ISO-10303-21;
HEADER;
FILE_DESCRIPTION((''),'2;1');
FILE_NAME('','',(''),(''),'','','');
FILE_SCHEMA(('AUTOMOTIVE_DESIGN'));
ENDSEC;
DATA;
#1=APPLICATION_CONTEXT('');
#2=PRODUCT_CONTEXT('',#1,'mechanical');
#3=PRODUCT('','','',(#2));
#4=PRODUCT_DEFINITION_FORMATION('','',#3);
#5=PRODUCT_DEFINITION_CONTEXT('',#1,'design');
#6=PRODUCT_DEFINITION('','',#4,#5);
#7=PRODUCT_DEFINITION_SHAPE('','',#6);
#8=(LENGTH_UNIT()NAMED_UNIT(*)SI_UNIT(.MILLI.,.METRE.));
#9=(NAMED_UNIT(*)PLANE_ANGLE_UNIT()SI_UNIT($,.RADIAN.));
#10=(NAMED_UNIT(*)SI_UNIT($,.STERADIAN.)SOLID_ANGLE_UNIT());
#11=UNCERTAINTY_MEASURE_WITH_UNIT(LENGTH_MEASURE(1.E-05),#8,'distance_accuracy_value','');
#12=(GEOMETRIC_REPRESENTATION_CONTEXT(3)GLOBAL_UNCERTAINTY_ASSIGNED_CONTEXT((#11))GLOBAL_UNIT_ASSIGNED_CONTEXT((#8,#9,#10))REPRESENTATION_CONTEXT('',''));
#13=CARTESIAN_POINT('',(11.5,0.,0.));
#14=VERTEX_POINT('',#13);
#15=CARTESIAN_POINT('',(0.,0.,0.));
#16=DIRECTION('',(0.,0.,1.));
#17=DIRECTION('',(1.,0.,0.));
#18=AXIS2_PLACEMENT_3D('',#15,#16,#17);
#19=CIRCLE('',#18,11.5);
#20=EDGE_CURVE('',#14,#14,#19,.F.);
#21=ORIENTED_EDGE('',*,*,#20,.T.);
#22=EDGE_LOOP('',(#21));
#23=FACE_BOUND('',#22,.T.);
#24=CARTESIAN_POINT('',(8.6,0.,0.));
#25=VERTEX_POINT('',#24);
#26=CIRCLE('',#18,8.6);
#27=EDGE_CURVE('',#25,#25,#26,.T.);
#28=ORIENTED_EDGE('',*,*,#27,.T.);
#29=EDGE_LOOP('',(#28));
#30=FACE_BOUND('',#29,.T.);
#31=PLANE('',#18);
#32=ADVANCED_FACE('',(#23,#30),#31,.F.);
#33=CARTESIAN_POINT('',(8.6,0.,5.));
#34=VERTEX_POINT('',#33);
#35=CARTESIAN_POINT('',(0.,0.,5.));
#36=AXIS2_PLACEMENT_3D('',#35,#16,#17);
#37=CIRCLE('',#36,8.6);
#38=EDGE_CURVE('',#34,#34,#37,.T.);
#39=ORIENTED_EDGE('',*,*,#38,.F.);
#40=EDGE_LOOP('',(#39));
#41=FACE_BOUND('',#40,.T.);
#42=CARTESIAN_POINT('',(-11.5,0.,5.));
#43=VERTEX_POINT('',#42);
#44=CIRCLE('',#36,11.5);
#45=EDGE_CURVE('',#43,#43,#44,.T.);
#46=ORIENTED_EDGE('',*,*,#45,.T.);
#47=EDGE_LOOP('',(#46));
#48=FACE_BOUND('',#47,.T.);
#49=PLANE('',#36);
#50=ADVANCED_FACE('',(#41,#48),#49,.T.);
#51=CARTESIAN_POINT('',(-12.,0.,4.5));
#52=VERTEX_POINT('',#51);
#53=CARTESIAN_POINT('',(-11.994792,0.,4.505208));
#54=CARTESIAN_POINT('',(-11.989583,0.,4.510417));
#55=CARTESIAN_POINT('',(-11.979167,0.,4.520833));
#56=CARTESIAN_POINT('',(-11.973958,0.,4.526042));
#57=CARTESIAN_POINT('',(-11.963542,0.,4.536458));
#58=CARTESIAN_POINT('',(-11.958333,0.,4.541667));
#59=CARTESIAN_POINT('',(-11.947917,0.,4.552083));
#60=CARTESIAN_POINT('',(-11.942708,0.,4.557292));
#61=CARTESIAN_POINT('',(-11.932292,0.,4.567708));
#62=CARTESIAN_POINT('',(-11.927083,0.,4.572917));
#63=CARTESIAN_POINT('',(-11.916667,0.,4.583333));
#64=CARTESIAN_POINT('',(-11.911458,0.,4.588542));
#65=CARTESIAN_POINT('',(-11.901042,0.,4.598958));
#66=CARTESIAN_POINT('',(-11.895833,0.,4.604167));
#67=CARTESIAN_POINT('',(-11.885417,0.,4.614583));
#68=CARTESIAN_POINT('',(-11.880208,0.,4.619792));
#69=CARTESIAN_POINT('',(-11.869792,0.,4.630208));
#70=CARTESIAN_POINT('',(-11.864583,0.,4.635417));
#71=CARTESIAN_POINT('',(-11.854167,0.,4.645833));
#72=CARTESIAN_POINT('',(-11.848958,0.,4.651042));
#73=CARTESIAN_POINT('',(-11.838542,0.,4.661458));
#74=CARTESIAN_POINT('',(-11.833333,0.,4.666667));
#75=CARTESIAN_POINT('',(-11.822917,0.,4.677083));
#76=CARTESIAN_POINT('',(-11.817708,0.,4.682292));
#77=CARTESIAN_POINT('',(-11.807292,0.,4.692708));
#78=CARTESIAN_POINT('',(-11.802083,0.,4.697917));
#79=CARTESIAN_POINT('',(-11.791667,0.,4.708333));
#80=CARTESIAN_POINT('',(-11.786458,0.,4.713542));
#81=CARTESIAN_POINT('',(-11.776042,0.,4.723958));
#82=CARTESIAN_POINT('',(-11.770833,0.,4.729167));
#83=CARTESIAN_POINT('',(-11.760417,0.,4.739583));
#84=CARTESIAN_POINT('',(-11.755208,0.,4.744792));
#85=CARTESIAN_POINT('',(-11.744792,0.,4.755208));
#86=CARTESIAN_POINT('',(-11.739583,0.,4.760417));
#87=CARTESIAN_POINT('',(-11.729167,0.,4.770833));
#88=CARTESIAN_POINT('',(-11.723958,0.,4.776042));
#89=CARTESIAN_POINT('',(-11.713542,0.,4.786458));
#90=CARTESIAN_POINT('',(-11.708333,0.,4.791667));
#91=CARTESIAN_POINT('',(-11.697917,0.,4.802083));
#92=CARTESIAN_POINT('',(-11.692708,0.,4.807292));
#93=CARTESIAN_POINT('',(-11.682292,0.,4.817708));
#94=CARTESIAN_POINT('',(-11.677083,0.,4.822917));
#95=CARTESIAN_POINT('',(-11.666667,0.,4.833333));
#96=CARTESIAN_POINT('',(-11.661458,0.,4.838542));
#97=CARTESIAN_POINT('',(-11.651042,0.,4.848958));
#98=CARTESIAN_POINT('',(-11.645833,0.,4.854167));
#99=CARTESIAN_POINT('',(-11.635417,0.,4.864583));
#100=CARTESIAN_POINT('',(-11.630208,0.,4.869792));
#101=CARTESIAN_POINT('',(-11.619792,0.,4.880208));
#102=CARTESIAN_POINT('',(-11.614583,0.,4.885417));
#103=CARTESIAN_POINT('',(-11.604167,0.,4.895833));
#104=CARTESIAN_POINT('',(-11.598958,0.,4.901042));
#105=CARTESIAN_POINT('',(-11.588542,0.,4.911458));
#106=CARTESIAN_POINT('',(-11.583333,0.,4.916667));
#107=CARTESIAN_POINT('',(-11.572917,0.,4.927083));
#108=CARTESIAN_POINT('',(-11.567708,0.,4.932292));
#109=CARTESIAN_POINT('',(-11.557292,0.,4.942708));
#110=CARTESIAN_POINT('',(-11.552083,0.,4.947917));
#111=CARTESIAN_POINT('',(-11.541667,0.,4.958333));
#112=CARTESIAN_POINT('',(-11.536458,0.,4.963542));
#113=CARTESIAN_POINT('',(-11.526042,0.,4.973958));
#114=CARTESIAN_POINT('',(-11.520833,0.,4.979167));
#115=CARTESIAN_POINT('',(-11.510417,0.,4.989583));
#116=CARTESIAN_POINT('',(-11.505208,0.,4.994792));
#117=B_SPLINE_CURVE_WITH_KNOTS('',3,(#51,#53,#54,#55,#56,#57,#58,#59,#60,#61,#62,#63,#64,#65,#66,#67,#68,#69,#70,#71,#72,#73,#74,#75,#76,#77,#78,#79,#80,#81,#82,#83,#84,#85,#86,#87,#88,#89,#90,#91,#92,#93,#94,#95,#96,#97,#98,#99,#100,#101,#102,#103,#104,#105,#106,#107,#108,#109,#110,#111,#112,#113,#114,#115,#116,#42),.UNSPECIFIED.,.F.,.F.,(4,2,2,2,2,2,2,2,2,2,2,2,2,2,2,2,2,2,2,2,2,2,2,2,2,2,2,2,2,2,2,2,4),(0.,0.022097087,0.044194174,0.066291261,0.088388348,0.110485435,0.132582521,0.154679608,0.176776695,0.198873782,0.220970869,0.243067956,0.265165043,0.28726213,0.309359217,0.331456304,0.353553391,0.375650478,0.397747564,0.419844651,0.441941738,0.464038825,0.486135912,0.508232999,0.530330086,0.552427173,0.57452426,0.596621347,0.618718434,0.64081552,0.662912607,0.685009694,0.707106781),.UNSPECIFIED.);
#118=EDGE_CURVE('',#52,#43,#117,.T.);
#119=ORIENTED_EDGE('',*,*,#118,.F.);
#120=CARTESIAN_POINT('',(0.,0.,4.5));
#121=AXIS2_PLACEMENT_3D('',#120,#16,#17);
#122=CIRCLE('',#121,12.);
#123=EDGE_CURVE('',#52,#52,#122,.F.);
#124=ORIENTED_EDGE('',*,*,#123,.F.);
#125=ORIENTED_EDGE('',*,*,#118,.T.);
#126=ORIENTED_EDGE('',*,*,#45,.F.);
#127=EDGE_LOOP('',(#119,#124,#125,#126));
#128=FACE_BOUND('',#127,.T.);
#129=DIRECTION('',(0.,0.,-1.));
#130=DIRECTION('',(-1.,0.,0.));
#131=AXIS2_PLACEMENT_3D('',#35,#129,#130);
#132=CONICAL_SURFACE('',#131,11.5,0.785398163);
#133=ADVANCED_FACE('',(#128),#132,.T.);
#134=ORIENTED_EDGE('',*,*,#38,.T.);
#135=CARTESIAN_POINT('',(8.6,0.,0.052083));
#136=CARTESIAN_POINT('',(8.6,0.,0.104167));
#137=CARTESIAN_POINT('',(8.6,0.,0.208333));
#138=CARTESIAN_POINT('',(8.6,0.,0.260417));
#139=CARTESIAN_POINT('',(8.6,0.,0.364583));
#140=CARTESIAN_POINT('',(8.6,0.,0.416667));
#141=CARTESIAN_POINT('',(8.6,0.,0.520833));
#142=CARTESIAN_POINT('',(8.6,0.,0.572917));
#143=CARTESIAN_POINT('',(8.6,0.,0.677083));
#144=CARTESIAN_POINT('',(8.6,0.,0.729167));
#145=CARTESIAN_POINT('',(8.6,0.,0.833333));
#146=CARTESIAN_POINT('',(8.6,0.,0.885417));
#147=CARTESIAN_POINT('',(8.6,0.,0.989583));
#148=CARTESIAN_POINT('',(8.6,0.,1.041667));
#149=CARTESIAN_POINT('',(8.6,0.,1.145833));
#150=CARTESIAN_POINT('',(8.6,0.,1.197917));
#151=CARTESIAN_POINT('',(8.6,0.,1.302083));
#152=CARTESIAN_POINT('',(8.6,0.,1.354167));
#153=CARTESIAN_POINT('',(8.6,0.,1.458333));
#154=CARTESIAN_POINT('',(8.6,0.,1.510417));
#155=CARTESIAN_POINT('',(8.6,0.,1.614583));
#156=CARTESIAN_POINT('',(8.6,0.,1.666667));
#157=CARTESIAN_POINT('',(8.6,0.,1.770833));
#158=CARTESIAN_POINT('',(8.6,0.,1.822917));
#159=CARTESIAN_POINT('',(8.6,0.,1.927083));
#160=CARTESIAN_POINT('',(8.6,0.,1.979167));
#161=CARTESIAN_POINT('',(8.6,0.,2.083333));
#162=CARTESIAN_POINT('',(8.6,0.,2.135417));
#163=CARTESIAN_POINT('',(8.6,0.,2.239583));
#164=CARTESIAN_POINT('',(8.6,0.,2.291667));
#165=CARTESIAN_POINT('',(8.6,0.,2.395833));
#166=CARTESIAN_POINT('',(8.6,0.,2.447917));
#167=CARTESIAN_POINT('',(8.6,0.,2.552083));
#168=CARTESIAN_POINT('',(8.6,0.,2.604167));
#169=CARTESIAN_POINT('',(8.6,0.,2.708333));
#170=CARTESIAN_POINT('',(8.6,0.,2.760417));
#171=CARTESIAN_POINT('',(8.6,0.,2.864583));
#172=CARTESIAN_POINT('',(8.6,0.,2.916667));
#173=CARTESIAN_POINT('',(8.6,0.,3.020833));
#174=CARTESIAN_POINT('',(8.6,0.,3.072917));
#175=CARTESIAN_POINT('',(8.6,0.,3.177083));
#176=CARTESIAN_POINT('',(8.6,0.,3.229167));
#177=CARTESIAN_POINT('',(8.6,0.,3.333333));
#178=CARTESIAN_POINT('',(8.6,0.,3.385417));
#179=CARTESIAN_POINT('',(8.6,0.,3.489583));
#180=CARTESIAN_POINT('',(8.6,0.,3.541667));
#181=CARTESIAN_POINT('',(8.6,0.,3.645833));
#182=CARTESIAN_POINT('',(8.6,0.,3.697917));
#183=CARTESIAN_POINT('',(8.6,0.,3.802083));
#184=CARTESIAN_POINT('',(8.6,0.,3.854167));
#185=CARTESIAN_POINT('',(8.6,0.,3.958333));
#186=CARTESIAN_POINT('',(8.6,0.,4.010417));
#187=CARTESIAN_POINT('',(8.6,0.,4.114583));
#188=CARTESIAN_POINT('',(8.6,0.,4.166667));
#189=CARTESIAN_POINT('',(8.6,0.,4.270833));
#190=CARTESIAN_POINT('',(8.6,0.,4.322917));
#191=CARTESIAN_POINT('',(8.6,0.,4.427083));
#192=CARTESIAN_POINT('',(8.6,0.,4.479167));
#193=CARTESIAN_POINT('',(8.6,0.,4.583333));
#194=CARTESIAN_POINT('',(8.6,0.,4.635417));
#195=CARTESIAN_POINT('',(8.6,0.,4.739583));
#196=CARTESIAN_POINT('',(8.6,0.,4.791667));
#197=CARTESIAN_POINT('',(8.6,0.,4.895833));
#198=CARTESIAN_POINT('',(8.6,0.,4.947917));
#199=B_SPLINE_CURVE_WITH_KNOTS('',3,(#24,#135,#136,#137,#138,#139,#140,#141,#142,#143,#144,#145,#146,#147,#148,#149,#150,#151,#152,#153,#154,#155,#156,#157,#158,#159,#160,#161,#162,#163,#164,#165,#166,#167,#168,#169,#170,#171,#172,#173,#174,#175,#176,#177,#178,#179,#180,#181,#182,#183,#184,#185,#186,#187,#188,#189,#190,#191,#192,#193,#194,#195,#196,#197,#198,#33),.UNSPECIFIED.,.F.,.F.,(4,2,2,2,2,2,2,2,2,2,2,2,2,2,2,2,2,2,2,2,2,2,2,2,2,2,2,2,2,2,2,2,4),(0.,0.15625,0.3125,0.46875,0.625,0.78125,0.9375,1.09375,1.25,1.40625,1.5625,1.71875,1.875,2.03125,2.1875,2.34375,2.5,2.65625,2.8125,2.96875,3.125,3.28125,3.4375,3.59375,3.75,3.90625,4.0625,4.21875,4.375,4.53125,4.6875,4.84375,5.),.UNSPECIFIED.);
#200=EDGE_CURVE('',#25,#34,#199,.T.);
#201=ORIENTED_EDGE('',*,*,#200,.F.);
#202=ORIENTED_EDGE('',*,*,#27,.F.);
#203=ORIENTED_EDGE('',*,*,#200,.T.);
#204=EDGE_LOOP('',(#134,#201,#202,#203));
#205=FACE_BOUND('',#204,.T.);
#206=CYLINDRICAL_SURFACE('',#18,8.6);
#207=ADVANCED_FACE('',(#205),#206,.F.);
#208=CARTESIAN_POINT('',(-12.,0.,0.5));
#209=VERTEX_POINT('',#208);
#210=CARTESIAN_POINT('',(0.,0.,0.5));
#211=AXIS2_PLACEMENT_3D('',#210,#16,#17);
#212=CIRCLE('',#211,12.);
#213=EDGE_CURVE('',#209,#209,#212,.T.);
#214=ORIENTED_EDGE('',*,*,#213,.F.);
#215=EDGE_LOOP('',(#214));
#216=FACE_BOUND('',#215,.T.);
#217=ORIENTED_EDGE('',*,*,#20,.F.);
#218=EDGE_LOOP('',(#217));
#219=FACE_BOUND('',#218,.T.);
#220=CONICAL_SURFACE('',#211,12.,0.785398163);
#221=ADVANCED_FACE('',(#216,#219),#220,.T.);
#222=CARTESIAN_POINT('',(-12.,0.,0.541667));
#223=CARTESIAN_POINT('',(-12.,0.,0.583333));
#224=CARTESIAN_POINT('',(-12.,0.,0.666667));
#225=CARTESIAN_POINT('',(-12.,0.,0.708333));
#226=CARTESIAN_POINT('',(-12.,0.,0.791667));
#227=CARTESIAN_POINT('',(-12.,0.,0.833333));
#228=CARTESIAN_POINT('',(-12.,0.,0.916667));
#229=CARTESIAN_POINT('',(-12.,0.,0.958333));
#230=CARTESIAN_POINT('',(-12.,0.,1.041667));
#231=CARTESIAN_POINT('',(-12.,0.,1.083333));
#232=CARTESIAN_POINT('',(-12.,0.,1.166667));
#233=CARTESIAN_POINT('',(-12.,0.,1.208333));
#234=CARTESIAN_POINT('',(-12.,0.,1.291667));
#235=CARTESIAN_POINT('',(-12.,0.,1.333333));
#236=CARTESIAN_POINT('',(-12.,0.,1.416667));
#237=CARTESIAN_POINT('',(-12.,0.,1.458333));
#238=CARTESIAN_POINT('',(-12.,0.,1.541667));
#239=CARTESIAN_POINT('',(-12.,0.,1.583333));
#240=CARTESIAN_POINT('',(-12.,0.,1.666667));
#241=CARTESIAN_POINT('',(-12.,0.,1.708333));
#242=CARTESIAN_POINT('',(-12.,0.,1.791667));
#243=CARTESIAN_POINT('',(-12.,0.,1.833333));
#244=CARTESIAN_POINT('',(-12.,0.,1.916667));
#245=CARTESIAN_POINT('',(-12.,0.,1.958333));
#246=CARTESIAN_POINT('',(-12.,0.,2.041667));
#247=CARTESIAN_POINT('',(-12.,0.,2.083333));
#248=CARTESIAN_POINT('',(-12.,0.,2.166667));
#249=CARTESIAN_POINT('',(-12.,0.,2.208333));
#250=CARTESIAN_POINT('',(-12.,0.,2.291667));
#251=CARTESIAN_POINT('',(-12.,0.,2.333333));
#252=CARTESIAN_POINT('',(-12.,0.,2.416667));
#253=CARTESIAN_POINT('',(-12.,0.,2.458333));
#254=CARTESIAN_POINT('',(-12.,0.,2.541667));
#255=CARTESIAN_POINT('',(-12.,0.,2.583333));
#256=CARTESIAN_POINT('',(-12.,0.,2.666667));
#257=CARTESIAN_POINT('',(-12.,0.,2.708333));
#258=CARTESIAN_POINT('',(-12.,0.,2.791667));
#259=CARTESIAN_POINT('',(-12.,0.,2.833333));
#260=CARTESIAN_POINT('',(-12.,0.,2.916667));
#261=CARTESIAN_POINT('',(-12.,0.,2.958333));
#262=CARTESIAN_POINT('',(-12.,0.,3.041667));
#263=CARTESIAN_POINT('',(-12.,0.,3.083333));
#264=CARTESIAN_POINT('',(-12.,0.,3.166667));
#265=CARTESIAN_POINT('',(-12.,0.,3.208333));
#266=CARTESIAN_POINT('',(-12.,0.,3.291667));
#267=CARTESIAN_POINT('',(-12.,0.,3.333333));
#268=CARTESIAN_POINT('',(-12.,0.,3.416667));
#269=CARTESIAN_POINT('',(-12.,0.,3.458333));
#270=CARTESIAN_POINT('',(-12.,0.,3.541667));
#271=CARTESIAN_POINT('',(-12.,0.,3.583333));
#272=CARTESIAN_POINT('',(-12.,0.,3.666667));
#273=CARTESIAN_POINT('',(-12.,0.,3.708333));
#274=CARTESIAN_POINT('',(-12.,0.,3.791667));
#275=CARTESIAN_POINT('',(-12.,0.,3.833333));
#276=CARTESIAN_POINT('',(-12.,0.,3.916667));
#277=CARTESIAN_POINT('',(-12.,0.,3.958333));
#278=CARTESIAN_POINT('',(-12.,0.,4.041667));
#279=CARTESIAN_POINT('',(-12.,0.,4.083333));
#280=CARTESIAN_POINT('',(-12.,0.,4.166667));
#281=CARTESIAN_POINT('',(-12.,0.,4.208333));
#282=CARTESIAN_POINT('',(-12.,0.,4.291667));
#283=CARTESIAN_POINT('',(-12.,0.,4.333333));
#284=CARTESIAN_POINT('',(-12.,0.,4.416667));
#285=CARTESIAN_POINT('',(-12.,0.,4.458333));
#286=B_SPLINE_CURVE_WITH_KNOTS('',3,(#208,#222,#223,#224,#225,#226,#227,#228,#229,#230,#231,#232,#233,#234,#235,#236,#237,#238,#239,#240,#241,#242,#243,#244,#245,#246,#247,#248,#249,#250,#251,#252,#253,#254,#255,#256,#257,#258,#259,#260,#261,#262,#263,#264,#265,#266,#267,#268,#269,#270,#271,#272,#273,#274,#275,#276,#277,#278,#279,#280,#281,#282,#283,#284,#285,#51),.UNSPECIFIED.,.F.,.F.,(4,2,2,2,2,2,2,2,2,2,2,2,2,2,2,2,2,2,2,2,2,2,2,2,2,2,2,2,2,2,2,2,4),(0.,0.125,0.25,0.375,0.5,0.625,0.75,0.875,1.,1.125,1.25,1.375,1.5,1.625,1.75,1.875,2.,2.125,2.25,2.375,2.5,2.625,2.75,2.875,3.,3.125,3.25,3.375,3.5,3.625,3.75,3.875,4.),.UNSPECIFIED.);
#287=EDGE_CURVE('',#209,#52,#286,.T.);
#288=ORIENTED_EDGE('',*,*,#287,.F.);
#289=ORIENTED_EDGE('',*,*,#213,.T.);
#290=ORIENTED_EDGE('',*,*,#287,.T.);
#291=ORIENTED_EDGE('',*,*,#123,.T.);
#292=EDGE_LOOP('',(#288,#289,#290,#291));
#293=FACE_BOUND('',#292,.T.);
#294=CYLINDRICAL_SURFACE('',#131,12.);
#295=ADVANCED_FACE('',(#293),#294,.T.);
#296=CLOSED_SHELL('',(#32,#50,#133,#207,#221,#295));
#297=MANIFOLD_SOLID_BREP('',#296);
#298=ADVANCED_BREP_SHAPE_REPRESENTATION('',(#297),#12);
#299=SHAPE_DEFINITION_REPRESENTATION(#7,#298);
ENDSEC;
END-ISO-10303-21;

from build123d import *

# Parameters (mm, degrees)
SCHIZZO1_R                   = 12
ESTRUSIONE_ESTRUSIONE1_DEPTH = 5
SCHIZZO3_R                   = 8.6
TAGLIO_ESTRUSIONE1_DEPTH     = 18.691806013
SMUSSO1_SIZE                 = 0.5
SMUSSO2_SIZE                 = 0.5


with BuildPart() as part:
    # Schizzo1 → Estrusione-Estrusione1 (new body)
    with BuildSketch(Plane.XY):
        Circle(SCHIZZO1_R)
    extrude(amount=ESTRUSIONE_ESTRUSIONE1_DEPTH)

    # Schizzo3 → Taglio-Estrusione1 (cut, through all)
    with BuildSketch(Plane.XY.offset(5)):
        Circle(SCHIZZO3_R)
    extrude(amount=-TAGLIO_ESTRUSIONE1_DEPTH, mode=Mode.SUBTRACT)

    # Smusso1
    smusso1_edges = [part.edges().sort_by_distance(p)[0] for p in [
        (-12, 0, 5),
    ]]
    chamfer(smusso1_edges, length=SMUSSO1_SIZE)

    # Smusso2
    smusso2_edges = [part.edges().sort_by_distance(p)[0] for p in [
        (-12, 0, 0),
    ]]
    chamfer(smusso2_edges, length=SMUSSO2_SIZE)


solid = part.part
